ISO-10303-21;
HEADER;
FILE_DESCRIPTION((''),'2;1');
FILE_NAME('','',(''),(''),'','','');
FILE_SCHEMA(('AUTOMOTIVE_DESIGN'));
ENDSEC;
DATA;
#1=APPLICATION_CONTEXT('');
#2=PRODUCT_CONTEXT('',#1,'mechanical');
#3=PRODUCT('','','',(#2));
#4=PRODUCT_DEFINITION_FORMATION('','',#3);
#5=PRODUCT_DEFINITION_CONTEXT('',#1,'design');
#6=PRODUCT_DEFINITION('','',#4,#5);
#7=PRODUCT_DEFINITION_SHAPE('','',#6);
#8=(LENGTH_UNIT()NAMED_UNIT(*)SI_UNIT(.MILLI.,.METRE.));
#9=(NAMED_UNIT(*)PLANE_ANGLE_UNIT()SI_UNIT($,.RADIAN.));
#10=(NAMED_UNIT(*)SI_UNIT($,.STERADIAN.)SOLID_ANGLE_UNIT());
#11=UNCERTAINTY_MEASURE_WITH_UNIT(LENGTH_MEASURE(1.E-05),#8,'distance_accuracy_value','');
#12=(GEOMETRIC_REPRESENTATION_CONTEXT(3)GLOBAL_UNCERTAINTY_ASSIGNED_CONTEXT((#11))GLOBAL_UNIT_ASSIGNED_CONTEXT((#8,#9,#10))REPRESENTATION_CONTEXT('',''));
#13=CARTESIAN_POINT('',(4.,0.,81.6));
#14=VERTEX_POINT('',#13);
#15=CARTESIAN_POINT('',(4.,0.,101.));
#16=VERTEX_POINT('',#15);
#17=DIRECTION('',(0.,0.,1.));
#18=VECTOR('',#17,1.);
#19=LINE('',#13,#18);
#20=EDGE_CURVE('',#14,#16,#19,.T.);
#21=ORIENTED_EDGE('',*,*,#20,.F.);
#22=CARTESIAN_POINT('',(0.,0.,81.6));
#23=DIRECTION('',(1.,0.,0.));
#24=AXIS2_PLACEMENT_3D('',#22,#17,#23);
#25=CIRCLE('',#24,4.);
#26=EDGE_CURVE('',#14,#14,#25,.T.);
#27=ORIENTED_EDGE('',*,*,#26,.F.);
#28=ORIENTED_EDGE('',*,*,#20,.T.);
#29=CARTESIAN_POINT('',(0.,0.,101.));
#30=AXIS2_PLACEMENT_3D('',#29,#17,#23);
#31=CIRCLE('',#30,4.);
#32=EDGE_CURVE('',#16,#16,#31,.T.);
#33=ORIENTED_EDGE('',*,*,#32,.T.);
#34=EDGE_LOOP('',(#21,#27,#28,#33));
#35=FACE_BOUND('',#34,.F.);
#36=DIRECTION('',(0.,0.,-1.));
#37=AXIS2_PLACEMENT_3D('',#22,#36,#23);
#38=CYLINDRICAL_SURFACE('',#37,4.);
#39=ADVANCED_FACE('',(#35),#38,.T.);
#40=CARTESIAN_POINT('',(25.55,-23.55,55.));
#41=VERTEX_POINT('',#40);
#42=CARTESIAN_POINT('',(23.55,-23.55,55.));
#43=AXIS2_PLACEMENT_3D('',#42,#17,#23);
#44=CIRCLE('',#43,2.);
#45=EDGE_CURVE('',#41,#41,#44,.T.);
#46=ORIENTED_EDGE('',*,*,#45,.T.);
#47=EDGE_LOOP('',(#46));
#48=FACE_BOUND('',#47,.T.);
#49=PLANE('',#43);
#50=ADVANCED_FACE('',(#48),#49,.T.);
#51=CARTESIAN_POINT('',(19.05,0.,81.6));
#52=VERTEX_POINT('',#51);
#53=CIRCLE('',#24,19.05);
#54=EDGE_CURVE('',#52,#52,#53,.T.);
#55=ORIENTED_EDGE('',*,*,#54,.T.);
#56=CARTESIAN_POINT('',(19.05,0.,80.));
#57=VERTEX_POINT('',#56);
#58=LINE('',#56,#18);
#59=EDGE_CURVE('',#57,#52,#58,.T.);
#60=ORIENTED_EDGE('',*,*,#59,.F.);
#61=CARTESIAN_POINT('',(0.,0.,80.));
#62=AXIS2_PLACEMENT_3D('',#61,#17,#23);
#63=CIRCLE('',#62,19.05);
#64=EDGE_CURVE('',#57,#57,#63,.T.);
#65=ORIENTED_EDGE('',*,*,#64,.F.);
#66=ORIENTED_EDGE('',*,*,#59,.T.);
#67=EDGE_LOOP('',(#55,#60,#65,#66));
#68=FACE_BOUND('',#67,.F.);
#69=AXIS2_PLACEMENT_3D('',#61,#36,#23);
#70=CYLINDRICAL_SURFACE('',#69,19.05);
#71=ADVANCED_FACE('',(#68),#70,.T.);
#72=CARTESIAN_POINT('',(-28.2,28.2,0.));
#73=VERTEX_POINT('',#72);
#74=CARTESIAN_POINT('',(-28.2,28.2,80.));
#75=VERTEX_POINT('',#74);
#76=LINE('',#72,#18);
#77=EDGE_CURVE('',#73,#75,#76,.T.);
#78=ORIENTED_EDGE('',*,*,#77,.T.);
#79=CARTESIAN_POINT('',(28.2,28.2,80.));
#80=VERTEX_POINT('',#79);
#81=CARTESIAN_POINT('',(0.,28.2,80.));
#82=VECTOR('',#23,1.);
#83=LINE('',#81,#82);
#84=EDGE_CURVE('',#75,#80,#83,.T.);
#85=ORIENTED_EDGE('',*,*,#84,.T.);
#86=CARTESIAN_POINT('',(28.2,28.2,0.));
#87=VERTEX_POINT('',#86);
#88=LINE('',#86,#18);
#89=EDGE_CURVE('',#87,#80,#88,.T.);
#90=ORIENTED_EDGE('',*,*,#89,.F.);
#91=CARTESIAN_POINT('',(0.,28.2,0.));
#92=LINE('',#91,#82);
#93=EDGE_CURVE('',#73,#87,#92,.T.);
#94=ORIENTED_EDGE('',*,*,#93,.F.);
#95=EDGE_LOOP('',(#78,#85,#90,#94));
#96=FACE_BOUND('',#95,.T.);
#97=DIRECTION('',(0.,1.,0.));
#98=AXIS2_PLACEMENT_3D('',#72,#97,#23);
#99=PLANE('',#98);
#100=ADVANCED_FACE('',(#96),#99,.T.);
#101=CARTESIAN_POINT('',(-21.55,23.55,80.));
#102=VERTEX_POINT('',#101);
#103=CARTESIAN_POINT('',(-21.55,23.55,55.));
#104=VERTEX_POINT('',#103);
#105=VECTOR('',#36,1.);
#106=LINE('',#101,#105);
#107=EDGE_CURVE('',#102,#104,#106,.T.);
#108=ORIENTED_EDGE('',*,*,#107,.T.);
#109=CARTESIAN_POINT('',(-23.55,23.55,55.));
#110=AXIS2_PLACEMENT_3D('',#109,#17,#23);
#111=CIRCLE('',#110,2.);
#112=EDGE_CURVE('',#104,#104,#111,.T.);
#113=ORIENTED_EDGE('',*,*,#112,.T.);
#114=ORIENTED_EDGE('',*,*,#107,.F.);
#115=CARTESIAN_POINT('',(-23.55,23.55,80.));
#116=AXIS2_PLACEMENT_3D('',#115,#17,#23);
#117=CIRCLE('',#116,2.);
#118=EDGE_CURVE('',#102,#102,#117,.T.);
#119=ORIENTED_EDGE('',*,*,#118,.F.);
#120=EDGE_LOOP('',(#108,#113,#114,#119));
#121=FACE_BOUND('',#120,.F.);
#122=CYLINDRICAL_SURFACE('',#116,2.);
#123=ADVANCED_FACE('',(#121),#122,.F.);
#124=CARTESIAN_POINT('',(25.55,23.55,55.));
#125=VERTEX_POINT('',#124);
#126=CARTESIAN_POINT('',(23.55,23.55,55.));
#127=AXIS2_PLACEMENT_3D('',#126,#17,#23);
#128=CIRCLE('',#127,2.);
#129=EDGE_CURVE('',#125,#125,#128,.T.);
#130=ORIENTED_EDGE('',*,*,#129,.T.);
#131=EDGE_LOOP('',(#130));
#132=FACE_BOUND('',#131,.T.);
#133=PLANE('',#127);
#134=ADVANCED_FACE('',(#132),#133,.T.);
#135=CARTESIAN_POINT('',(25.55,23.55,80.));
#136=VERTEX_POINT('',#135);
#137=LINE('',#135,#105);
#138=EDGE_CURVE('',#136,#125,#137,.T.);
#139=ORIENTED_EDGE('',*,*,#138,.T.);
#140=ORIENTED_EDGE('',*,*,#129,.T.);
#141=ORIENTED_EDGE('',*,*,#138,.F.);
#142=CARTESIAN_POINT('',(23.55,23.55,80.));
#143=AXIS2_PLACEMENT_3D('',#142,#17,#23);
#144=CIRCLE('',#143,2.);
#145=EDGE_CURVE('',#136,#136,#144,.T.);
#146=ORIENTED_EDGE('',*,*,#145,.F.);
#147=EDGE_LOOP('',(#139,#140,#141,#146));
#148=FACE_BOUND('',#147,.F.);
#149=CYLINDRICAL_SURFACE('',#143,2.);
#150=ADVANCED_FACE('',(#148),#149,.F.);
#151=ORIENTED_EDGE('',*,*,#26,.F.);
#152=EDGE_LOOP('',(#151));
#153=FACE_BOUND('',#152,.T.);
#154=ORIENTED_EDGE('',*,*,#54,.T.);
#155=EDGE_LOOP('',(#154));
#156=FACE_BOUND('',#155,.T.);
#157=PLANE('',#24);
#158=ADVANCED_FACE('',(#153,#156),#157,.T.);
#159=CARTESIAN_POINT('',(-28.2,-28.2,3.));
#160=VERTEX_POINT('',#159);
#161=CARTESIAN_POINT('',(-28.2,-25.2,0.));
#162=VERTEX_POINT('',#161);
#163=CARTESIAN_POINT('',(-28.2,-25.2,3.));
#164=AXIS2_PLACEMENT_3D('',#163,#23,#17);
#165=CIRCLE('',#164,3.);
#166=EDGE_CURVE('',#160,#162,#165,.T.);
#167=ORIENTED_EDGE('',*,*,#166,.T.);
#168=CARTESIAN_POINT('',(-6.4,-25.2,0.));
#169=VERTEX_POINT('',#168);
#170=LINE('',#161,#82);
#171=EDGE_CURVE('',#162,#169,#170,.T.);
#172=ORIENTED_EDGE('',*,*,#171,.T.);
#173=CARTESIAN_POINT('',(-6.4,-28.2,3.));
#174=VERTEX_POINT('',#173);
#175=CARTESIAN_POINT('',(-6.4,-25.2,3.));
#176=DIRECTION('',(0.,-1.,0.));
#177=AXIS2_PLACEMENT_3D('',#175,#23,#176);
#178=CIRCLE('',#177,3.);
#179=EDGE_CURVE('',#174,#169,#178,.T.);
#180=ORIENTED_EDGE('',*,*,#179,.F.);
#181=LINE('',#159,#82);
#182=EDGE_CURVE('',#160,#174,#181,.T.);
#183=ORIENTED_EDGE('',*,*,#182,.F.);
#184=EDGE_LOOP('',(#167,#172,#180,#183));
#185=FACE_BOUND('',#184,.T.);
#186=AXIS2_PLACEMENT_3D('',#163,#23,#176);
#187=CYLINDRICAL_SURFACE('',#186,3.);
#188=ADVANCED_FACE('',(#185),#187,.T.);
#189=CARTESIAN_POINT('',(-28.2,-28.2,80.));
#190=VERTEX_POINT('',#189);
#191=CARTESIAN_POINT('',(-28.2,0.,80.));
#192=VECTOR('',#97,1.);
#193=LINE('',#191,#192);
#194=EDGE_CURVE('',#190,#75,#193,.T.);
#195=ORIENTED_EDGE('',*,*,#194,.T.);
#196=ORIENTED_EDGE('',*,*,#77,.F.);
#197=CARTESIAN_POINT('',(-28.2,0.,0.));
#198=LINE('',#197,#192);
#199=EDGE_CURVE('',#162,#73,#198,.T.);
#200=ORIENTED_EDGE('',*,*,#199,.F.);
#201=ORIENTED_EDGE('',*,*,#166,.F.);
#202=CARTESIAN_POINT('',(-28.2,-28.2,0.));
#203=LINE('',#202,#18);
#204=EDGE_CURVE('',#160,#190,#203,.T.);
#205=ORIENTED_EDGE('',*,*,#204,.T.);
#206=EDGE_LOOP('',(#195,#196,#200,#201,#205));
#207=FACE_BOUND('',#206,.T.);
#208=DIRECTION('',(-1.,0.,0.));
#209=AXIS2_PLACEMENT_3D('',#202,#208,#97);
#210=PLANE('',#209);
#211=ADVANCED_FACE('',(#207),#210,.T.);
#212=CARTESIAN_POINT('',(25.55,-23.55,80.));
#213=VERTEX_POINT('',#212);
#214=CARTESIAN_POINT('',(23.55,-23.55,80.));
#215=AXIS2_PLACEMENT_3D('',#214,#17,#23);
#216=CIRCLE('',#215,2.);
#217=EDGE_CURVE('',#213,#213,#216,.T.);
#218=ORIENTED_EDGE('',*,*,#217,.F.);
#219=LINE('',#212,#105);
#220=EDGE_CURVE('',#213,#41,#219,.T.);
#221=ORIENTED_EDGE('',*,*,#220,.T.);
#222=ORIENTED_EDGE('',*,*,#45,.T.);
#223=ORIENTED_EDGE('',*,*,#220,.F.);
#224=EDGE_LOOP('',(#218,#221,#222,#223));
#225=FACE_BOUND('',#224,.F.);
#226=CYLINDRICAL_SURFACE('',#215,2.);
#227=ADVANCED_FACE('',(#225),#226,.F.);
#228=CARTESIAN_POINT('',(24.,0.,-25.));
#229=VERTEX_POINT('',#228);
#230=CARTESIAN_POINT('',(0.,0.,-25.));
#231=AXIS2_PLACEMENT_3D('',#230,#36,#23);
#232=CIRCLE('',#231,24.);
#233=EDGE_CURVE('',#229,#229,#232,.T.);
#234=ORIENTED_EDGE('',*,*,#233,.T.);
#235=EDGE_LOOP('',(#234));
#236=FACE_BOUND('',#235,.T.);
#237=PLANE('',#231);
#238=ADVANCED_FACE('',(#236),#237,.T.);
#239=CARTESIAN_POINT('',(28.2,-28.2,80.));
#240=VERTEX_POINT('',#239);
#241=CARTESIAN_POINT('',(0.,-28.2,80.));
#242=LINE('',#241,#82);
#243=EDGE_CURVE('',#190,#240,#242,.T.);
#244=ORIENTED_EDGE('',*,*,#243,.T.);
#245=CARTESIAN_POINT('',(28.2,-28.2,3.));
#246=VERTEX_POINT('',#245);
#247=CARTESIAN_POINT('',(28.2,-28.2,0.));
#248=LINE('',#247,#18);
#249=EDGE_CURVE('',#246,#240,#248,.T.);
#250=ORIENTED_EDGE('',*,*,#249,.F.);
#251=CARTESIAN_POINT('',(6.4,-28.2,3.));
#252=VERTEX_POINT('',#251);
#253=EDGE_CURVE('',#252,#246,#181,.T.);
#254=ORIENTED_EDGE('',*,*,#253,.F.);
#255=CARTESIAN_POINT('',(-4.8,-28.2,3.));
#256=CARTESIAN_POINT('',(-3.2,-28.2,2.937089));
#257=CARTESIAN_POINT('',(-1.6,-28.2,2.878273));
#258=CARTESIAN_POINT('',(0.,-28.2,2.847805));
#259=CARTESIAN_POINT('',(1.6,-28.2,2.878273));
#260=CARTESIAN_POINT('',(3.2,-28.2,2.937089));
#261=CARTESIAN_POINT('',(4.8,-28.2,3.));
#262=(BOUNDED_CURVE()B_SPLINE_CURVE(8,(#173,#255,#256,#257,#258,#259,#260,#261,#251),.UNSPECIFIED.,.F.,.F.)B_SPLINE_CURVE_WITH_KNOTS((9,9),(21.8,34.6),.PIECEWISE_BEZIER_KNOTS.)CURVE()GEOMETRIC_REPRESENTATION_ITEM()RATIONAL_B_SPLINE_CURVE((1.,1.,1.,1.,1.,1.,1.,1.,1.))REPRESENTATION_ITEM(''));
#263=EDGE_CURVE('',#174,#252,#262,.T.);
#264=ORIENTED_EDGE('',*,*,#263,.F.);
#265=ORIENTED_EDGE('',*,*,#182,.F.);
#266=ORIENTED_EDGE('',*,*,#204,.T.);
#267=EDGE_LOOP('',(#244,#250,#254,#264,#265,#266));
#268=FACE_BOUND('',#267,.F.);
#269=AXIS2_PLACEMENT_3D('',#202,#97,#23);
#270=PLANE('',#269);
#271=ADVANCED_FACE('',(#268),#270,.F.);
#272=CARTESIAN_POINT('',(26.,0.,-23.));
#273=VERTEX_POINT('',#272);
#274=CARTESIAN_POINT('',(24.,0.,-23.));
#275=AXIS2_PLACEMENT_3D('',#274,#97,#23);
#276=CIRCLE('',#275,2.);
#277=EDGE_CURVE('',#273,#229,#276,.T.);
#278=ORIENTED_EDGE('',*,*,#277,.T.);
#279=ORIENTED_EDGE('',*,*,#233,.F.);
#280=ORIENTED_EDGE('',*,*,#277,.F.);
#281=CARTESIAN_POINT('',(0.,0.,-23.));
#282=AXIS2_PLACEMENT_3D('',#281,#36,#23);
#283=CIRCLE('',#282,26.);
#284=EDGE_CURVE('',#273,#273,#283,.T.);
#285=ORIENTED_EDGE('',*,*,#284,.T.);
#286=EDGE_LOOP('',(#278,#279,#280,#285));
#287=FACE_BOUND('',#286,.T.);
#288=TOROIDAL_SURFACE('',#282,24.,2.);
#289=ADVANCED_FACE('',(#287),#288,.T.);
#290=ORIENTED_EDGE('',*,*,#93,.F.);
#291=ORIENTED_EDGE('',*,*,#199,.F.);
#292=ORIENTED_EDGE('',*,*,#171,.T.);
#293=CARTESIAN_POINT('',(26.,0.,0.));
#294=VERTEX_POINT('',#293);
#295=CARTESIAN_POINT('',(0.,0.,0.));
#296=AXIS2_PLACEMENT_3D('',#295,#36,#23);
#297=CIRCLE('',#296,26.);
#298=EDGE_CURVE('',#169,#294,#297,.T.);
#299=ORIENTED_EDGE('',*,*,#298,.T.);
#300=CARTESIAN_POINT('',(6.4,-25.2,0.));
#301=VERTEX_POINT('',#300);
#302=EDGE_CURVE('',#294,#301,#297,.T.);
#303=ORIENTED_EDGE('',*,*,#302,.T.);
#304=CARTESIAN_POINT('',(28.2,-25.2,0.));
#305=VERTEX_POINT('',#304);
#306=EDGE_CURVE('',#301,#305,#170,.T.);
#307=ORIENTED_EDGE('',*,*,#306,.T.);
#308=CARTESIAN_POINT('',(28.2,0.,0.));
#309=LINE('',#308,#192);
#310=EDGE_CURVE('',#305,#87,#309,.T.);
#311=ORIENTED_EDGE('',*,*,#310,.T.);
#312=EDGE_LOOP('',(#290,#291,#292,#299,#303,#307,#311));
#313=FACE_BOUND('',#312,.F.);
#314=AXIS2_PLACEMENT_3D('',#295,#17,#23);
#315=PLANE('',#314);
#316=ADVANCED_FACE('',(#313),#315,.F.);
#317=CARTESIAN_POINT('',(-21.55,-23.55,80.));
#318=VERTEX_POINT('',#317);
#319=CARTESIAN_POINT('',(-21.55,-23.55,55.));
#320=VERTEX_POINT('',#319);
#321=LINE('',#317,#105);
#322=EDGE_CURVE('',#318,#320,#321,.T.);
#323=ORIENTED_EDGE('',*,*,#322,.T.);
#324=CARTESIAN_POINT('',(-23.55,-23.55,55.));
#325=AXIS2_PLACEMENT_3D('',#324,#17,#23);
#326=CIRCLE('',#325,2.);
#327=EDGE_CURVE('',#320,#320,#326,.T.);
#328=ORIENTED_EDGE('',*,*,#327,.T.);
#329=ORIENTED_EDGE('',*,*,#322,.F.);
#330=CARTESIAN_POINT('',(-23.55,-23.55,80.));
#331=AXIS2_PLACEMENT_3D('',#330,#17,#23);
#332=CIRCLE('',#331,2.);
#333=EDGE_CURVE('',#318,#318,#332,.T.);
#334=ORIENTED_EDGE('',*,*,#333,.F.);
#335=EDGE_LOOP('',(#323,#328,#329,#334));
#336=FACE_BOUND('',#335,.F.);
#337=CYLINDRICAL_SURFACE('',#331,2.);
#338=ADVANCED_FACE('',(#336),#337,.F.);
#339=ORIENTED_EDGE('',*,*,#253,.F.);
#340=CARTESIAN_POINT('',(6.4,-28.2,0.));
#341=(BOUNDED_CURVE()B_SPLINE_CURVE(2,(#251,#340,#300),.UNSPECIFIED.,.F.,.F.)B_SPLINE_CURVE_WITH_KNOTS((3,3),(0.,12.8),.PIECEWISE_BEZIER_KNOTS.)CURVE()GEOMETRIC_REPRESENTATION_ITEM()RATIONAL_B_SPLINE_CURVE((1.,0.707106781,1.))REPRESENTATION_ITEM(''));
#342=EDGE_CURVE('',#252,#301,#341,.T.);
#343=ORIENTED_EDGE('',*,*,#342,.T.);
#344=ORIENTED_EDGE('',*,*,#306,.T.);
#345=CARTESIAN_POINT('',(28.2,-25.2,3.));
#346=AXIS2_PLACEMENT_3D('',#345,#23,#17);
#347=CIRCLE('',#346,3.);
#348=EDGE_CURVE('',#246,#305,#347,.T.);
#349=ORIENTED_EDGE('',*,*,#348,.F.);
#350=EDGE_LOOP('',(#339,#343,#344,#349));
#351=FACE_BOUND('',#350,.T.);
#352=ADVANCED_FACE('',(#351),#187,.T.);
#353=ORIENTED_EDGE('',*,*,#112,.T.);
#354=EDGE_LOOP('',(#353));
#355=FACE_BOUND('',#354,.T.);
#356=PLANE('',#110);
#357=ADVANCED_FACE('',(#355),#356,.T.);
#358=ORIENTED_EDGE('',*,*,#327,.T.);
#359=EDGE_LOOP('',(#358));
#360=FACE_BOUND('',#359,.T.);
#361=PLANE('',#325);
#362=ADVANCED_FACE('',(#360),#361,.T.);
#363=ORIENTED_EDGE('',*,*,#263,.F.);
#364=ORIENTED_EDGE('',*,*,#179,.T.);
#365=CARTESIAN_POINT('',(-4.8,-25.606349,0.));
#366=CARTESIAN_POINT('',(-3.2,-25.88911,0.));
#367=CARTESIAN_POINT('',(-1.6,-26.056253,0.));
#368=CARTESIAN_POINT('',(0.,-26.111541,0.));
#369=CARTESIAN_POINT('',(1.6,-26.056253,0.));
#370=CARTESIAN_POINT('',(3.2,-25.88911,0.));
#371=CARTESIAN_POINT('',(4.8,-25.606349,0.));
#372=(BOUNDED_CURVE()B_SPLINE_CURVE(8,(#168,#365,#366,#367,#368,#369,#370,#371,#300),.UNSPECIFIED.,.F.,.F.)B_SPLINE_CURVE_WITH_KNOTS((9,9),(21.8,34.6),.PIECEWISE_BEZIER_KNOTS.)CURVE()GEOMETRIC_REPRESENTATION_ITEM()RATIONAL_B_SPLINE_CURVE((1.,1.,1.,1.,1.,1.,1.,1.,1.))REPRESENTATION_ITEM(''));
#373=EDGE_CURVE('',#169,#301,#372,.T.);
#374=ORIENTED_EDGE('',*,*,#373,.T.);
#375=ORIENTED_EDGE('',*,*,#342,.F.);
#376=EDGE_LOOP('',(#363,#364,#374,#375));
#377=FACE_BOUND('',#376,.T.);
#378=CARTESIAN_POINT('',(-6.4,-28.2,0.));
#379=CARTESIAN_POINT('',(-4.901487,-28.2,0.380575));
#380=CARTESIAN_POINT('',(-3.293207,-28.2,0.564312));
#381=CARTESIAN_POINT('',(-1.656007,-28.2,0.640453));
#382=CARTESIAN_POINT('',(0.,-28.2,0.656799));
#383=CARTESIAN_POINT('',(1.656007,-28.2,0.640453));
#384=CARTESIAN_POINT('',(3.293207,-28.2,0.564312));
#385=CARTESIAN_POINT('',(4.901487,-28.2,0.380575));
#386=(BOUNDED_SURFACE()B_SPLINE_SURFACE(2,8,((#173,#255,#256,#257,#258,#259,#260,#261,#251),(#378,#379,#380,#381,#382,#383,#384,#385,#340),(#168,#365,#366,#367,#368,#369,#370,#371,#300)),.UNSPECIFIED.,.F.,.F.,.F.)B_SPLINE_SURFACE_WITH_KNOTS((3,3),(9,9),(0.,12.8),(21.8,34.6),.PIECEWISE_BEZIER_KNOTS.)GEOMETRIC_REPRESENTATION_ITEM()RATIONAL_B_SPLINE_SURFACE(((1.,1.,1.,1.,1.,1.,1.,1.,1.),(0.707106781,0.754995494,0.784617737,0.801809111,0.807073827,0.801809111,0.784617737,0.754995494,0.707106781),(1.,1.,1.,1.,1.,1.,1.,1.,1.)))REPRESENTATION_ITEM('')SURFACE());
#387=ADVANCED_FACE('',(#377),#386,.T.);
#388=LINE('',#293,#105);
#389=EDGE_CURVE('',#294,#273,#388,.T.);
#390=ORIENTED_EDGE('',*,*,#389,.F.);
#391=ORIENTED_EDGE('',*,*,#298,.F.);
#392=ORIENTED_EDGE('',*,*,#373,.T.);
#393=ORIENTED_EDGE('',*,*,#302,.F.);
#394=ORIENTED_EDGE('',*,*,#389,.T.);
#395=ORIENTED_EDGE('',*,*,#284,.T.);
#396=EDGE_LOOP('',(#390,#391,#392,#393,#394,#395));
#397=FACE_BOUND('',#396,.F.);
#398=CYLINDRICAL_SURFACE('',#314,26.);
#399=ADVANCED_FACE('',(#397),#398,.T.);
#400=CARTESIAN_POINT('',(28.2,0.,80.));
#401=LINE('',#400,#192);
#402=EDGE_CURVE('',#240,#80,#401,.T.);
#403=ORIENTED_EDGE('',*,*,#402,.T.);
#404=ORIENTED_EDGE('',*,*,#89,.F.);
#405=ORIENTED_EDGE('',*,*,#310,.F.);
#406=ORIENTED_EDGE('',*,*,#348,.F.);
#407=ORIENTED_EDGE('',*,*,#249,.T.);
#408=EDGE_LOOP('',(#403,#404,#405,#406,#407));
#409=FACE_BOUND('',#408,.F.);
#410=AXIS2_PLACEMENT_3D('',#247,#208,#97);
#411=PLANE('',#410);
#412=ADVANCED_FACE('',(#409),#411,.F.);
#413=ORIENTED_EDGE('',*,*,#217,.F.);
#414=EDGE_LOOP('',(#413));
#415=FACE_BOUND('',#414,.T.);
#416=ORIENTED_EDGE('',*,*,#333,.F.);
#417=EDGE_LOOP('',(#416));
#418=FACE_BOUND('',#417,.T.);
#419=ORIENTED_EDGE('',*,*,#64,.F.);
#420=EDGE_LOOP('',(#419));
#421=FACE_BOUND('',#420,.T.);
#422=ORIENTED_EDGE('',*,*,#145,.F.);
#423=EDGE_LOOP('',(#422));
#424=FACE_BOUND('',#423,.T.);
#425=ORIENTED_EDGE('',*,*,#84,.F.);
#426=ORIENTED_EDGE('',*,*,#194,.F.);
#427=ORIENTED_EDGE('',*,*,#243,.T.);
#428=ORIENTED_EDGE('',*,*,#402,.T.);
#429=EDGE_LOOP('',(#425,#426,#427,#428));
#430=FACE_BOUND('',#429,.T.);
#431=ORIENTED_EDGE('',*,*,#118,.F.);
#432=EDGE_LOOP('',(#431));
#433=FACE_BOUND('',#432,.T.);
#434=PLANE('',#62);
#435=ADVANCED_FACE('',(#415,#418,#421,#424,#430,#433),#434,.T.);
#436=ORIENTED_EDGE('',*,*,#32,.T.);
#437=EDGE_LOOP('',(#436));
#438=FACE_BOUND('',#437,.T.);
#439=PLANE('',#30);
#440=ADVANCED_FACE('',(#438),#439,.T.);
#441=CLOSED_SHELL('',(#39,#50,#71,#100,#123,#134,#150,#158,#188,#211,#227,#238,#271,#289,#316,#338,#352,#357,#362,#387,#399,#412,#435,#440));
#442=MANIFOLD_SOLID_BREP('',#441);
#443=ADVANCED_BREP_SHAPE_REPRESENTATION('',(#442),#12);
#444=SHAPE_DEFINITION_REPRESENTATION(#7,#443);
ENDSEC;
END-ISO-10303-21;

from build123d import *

# Parameters (mm, degrees)
F0_W     = 56.4
F0_H     = 56.4
F1_DEPTH = 80
F2_R     = 19.05
F3_DEPTH = 1.6
F4_R     = 4
F5_DEPTH = 19.4
F6_R     = 2
F7_DEPTH = 25
F8_R     = 26
F9_DEPTH = 25
F10_R    = 3
F11_R    = 2


with BuildPart() as f1:
    # F0 (on Top) → F1 (new body)
    with BuildSketch(Plane.XY):
        Rectangle(F0_W, F0_H)
    extrude(amount=F1_DEPTH)

    # F2 (on face) → F3 (join)
    with BuildSketch(Plane.XY.offset(80)):
        Circle(F2_R)
    extrude(amount=F3_DEPTH)

    # F4 (on face) → F5 (join)
    with BuildSketch(Plane.XY.offset(81.6)):
        Circle(F4_R)
    extrude(amount=F5_DEPTH)

    # F6 (on face) → F7 (cut)
    with BuildSketch(Plane.XY.offset(80)):
        with Locations((23.55, 23.55)):
            Circle(F6_R)
        with Locations((-23.55, 23.55)):
            Circle(F6_R)
        with Locations((-23.55, -23.55)):
            Circle(F6_R)
        with Locations((23.55, -23.55)):
            Circle(F6_R)
    extrude(amount=-F7_DEPTH, mode=Mode.SUBTRACT)

    # F8 (on face) → F9 (join)
    with BuildSketch(Plane(origin=(0, 0, 0), x_dir=(1, 0, 0), z_dir=(0, 0, -1))):
        Circle(F8_R)
    extrude(amount=F9_DEPTH)

    # F10
    f10_edges = [f1.edges().sort_by_distance(p)[0] for p in [
        (0, -28.2, 0),
    ]]
    fillet(f10_edges, radius=F10_R)

    # F11
    f11_edges = [f1.edges().sort_by_distance(p)[0] for p in [
        (-26, 0, -25),
    ]]
    fillet(f11_edges, radius=F11_R)


solid = f1.part
